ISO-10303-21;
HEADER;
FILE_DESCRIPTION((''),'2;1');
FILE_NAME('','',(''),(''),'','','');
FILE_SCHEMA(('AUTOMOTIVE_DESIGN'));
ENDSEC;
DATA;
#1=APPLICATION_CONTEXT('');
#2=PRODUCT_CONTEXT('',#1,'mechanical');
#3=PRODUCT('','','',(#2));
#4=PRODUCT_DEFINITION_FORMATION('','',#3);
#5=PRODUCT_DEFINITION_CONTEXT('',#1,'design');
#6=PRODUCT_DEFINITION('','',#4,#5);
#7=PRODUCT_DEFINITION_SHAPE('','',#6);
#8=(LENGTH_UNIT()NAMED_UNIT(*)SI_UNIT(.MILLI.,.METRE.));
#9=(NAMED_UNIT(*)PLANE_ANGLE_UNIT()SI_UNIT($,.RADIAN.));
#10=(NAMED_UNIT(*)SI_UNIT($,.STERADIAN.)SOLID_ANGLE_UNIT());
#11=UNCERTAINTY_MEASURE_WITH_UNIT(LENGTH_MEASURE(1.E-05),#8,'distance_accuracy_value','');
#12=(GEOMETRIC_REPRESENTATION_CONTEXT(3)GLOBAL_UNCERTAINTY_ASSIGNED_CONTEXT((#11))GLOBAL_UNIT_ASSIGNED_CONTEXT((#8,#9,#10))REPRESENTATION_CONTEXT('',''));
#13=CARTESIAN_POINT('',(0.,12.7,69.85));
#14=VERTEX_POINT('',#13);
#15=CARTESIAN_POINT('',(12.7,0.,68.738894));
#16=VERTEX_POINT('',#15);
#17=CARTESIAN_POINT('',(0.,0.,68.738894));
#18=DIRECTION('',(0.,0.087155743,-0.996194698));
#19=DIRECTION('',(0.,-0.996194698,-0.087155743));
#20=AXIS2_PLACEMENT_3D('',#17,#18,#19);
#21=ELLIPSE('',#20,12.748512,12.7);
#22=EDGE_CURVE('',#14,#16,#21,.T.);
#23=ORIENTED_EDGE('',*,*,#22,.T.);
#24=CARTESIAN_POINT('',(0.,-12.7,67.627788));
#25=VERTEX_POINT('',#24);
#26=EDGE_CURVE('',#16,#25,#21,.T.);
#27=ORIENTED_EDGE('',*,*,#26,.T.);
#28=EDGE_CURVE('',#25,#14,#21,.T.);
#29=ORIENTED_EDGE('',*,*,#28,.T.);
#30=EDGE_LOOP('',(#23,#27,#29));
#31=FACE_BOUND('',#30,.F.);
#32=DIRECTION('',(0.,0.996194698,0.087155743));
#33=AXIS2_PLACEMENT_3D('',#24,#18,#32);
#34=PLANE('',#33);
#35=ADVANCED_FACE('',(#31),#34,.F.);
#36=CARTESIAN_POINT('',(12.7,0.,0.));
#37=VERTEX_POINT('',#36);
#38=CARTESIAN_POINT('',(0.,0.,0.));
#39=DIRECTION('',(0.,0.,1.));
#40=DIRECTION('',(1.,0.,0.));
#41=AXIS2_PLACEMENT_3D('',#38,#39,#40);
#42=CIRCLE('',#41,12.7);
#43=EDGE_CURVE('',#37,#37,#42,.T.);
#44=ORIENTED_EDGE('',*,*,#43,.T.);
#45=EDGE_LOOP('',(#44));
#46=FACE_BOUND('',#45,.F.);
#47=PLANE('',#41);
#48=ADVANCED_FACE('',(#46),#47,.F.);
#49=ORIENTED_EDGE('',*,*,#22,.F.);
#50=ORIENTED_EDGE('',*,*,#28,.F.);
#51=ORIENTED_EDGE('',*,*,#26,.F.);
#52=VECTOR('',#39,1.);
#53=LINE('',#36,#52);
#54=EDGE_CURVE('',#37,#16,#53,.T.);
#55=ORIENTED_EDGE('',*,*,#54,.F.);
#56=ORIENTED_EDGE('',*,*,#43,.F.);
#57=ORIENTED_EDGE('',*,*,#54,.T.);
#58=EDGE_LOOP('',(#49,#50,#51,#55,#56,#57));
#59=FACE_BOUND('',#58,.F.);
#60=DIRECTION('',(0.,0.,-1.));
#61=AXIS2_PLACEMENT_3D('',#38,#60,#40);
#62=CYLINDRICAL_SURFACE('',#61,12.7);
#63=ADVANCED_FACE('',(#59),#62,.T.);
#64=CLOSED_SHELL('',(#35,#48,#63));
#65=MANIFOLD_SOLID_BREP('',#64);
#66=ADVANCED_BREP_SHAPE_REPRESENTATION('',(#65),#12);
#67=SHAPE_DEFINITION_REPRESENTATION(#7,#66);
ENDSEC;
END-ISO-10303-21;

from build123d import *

# Parameters (mm, degrees)
F0_R     = 12.7
F1_DEPTH = 69.85
F3_DEPTH = 25.4


with BuildPart() as f1:
    # F0 (on Top) → F1 (new body)
    with BuildSketch(Plane.XY):
        Circle(F0_R)
    extrude(amount=F1_DEPTH)

    # F2 (on Right) → F3 (cut, symmetric)
    with BuildSketch(Plane.YZ):
        Polygon((12.7, 69.85), (-12.7, 69.85), (-12.7, 67.6277879464), align=None)
    extrude(amount=F3_DEPTH, both=True, mode=Mode.SUBTRACT)


solid = f1.part
